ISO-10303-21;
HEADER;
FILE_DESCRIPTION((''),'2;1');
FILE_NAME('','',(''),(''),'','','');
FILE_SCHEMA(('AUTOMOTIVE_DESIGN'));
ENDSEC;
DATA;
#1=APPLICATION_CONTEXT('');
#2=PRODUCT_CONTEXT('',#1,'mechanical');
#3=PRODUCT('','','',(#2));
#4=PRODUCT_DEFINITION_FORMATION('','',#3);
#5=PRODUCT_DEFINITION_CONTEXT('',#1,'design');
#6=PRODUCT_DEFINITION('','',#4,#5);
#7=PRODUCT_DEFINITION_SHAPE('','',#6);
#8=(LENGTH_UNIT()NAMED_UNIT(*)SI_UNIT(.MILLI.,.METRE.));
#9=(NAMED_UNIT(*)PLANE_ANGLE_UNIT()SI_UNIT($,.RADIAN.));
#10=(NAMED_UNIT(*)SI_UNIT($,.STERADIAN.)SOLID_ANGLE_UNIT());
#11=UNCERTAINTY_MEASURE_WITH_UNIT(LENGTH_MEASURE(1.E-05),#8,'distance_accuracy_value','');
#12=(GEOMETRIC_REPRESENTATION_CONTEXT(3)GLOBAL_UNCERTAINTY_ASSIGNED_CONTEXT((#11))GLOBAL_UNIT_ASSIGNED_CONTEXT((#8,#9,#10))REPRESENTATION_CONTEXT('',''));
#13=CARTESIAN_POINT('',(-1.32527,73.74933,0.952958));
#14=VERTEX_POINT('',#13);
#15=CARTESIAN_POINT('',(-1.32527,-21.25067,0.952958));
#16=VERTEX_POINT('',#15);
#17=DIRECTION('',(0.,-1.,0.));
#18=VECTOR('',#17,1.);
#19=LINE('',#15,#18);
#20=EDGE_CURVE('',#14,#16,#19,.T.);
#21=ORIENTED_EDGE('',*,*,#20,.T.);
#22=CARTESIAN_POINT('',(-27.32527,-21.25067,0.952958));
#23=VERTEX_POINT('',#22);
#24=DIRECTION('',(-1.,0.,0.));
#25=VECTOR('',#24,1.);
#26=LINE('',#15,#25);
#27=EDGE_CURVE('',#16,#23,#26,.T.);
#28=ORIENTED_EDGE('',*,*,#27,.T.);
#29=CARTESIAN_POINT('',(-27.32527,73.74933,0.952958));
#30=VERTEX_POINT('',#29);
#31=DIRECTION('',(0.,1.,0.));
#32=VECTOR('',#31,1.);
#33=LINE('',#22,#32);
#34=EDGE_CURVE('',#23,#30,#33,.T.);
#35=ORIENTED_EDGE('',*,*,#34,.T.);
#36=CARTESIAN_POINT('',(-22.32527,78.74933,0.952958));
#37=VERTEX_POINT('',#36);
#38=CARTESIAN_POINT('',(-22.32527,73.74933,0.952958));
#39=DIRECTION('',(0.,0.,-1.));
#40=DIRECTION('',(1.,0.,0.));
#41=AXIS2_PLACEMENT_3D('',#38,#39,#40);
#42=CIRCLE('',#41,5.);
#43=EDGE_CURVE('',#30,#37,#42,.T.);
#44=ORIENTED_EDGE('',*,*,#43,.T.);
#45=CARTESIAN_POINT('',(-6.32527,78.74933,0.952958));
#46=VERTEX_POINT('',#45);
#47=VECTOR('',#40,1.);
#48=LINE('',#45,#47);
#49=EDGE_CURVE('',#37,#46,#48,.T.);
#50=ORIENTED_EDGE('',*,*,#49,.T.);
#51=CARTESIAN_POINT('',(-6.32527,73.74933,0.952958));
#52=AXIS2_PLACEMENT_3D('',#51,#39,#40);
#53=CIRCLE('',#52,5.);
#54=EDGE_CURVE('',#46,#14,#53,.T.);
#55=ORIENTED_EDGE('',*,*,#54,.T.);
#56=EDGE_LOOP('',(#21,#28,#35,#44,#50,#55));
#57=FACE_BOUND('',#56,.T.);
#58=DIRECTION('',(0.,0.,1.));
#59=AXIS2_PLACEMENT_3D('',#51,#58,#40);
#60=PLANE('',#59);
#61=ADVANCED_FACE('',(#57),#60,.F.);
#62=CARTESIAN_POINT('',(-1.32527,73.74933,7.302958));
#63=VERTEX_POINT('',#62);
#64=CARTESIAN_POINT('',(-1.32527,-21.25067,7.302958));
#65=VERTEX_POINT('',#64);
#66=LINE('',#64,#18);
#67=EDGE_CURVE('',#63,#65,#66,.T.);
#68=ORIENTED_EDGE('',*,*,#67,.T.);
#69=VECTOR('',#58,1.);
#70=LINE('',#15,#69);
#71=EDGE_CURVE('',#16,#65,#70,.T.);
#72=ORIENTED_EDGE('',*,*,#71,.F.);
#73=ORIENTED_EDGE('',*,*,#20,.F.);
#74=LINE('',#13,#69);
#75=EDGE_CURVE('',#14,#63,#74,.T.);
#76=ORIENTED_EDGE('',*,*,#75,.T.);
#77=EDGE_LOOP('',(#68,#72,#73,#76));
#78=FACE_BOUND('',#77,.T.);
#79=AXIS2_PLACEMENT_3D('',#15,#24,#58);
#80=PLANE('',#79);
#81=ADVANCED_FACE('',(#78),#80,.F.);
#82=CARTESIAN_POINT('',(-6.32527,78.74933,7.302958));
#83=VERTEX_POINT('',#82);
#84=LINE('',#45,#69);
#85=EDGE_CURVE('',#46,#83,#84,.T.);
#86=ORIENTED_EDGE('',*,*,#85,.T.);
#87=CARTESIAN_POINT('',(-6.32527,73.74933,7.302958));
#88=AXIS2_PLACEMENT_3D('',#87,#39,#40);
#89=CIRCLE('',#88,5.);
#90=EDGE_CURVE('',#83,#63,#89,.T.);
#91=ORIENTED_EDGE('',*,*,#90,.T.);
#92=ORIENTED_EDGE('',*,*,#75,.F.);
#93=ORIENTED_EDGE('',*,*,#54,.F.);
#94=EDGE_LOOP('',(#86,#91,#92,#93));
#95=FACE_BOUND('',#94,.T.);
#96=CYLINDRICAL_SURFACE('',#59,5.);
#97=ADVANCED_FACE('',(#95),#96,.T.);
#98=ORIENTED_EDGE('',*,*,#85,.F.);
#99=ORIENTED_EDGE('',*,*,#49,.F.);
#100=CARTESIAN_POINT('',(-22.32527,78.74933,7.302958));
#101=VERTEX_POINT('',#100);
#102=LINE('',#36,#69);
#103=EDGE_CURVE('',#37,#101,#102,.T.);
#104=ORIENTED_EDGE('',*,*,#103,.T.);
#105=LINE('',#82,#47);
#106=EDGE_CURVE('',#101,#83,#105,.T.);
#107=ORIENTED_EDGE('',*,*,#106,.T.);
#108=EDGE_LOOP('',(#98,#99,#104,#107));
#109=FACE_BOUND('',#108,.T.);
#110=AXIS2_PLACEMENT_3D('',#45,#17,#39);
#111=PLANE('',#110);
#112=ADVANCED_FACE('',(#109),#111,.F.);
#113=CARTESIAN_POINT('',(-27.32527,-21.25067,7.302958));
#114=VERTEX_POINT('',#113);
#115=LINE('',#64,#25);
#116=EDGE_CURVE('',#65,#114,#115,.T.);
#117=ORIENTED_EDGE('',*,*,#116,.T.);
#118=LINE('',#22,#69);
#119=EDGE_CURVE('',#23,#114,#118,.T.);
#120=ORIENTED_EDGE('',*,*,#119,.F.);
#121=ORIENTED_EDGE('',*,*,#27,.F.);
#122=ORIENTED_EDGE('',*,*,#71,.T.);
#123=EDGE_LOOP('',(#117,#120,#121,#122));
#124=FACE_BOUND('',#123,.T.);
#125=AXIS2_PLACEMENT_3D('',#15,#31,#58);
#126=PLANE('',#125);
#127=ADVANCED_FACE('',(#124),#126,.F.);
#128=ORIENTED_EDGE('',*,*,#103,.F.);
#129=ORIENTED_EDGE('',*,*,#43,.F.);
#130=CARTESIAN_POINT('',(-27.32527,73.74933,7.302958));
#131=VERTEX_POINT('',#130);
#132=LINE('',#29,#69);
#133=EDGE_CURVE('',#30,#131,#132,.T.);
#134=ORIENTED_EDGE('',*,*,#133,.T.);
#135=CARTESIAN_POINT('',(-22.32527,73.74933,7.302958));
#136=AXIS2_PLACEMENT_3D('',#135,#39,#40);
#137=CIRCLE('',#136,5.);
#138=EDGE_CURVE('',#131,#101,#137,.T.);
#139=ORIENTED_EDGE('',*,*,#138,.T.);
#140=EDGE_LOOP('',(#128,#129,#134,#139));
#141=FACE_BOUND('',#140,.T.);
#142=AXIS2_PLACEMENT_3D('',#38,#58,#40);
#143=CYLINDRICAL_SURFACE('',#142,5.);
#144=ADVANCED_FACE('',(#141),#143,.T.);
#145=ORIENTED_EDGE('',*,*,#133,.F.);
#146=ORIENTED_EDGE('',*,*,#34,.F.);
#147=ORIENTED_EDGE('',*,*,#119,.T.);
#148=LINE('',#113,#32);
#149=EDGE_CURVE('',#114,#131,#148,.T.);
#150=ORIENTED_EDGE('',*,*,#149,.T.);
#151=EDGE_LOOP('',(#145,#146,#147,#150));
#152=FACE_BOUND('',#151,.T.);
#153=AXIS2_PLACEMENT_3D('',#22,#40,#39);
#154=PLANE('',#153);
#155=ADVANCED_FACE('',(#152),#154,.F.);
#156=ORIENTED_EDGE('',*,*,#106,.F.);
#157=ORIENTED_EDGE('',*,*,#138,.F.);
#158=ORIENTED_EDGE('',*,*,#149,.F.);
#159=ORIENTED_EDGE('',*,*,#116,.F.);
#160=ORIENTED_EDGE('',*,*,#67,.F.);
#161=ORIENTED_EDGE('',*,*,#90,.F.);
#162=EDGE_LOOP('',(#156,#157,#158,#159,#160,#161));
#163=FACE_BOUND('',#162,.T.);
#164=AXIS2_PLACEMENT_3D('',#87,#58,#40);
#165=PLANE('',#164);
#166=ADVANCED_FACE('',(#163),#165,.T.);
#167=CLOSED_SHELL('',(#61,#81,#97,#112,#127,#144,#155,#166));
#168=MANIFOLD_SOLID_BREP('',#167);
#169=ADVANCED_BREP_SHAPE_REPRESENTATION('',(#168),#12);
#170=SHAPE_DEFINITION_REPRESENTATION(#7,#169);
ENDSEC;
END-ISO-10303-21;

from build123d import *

# Parameters (mm, degrees)
BOSS_EXTRUDE1_DEPTH = 6.35


with BuildPart() as part:
    # Sketch1 → Boss-Extrude1 (new body)
    with BuildSketch(Plane(origin=(0, 0, 7.302957559), x_dir=(-1, 0, 0), z_dir=(0, 0, -1))):
        with BuildLine():
            Line((1.325270249, -21.25067002), (27.325270249, -21.25067002))
            Line((27.325270249, -21.25067002), (27.325270249, 73.74932998))
            ThreePointArc((27.325270249, 73.74932998), (25.860804155, 77.284863886), (22.325270249, 78.74932998))
            Line((22.325270249, 78.74932998), (6.325270249, 78.74932998))
            ThreePointArc((6.325270249, 78.74932998), (2.789736343, 77.284863886), (1.325270249, 73.74932998))
            Line((1.325270249, 73.74932998), (1.325270249, -21.25067002))
        make_face()
    extrude(amount=BOSS_EXTRUDE1_DEPTH)


solid = part.part
